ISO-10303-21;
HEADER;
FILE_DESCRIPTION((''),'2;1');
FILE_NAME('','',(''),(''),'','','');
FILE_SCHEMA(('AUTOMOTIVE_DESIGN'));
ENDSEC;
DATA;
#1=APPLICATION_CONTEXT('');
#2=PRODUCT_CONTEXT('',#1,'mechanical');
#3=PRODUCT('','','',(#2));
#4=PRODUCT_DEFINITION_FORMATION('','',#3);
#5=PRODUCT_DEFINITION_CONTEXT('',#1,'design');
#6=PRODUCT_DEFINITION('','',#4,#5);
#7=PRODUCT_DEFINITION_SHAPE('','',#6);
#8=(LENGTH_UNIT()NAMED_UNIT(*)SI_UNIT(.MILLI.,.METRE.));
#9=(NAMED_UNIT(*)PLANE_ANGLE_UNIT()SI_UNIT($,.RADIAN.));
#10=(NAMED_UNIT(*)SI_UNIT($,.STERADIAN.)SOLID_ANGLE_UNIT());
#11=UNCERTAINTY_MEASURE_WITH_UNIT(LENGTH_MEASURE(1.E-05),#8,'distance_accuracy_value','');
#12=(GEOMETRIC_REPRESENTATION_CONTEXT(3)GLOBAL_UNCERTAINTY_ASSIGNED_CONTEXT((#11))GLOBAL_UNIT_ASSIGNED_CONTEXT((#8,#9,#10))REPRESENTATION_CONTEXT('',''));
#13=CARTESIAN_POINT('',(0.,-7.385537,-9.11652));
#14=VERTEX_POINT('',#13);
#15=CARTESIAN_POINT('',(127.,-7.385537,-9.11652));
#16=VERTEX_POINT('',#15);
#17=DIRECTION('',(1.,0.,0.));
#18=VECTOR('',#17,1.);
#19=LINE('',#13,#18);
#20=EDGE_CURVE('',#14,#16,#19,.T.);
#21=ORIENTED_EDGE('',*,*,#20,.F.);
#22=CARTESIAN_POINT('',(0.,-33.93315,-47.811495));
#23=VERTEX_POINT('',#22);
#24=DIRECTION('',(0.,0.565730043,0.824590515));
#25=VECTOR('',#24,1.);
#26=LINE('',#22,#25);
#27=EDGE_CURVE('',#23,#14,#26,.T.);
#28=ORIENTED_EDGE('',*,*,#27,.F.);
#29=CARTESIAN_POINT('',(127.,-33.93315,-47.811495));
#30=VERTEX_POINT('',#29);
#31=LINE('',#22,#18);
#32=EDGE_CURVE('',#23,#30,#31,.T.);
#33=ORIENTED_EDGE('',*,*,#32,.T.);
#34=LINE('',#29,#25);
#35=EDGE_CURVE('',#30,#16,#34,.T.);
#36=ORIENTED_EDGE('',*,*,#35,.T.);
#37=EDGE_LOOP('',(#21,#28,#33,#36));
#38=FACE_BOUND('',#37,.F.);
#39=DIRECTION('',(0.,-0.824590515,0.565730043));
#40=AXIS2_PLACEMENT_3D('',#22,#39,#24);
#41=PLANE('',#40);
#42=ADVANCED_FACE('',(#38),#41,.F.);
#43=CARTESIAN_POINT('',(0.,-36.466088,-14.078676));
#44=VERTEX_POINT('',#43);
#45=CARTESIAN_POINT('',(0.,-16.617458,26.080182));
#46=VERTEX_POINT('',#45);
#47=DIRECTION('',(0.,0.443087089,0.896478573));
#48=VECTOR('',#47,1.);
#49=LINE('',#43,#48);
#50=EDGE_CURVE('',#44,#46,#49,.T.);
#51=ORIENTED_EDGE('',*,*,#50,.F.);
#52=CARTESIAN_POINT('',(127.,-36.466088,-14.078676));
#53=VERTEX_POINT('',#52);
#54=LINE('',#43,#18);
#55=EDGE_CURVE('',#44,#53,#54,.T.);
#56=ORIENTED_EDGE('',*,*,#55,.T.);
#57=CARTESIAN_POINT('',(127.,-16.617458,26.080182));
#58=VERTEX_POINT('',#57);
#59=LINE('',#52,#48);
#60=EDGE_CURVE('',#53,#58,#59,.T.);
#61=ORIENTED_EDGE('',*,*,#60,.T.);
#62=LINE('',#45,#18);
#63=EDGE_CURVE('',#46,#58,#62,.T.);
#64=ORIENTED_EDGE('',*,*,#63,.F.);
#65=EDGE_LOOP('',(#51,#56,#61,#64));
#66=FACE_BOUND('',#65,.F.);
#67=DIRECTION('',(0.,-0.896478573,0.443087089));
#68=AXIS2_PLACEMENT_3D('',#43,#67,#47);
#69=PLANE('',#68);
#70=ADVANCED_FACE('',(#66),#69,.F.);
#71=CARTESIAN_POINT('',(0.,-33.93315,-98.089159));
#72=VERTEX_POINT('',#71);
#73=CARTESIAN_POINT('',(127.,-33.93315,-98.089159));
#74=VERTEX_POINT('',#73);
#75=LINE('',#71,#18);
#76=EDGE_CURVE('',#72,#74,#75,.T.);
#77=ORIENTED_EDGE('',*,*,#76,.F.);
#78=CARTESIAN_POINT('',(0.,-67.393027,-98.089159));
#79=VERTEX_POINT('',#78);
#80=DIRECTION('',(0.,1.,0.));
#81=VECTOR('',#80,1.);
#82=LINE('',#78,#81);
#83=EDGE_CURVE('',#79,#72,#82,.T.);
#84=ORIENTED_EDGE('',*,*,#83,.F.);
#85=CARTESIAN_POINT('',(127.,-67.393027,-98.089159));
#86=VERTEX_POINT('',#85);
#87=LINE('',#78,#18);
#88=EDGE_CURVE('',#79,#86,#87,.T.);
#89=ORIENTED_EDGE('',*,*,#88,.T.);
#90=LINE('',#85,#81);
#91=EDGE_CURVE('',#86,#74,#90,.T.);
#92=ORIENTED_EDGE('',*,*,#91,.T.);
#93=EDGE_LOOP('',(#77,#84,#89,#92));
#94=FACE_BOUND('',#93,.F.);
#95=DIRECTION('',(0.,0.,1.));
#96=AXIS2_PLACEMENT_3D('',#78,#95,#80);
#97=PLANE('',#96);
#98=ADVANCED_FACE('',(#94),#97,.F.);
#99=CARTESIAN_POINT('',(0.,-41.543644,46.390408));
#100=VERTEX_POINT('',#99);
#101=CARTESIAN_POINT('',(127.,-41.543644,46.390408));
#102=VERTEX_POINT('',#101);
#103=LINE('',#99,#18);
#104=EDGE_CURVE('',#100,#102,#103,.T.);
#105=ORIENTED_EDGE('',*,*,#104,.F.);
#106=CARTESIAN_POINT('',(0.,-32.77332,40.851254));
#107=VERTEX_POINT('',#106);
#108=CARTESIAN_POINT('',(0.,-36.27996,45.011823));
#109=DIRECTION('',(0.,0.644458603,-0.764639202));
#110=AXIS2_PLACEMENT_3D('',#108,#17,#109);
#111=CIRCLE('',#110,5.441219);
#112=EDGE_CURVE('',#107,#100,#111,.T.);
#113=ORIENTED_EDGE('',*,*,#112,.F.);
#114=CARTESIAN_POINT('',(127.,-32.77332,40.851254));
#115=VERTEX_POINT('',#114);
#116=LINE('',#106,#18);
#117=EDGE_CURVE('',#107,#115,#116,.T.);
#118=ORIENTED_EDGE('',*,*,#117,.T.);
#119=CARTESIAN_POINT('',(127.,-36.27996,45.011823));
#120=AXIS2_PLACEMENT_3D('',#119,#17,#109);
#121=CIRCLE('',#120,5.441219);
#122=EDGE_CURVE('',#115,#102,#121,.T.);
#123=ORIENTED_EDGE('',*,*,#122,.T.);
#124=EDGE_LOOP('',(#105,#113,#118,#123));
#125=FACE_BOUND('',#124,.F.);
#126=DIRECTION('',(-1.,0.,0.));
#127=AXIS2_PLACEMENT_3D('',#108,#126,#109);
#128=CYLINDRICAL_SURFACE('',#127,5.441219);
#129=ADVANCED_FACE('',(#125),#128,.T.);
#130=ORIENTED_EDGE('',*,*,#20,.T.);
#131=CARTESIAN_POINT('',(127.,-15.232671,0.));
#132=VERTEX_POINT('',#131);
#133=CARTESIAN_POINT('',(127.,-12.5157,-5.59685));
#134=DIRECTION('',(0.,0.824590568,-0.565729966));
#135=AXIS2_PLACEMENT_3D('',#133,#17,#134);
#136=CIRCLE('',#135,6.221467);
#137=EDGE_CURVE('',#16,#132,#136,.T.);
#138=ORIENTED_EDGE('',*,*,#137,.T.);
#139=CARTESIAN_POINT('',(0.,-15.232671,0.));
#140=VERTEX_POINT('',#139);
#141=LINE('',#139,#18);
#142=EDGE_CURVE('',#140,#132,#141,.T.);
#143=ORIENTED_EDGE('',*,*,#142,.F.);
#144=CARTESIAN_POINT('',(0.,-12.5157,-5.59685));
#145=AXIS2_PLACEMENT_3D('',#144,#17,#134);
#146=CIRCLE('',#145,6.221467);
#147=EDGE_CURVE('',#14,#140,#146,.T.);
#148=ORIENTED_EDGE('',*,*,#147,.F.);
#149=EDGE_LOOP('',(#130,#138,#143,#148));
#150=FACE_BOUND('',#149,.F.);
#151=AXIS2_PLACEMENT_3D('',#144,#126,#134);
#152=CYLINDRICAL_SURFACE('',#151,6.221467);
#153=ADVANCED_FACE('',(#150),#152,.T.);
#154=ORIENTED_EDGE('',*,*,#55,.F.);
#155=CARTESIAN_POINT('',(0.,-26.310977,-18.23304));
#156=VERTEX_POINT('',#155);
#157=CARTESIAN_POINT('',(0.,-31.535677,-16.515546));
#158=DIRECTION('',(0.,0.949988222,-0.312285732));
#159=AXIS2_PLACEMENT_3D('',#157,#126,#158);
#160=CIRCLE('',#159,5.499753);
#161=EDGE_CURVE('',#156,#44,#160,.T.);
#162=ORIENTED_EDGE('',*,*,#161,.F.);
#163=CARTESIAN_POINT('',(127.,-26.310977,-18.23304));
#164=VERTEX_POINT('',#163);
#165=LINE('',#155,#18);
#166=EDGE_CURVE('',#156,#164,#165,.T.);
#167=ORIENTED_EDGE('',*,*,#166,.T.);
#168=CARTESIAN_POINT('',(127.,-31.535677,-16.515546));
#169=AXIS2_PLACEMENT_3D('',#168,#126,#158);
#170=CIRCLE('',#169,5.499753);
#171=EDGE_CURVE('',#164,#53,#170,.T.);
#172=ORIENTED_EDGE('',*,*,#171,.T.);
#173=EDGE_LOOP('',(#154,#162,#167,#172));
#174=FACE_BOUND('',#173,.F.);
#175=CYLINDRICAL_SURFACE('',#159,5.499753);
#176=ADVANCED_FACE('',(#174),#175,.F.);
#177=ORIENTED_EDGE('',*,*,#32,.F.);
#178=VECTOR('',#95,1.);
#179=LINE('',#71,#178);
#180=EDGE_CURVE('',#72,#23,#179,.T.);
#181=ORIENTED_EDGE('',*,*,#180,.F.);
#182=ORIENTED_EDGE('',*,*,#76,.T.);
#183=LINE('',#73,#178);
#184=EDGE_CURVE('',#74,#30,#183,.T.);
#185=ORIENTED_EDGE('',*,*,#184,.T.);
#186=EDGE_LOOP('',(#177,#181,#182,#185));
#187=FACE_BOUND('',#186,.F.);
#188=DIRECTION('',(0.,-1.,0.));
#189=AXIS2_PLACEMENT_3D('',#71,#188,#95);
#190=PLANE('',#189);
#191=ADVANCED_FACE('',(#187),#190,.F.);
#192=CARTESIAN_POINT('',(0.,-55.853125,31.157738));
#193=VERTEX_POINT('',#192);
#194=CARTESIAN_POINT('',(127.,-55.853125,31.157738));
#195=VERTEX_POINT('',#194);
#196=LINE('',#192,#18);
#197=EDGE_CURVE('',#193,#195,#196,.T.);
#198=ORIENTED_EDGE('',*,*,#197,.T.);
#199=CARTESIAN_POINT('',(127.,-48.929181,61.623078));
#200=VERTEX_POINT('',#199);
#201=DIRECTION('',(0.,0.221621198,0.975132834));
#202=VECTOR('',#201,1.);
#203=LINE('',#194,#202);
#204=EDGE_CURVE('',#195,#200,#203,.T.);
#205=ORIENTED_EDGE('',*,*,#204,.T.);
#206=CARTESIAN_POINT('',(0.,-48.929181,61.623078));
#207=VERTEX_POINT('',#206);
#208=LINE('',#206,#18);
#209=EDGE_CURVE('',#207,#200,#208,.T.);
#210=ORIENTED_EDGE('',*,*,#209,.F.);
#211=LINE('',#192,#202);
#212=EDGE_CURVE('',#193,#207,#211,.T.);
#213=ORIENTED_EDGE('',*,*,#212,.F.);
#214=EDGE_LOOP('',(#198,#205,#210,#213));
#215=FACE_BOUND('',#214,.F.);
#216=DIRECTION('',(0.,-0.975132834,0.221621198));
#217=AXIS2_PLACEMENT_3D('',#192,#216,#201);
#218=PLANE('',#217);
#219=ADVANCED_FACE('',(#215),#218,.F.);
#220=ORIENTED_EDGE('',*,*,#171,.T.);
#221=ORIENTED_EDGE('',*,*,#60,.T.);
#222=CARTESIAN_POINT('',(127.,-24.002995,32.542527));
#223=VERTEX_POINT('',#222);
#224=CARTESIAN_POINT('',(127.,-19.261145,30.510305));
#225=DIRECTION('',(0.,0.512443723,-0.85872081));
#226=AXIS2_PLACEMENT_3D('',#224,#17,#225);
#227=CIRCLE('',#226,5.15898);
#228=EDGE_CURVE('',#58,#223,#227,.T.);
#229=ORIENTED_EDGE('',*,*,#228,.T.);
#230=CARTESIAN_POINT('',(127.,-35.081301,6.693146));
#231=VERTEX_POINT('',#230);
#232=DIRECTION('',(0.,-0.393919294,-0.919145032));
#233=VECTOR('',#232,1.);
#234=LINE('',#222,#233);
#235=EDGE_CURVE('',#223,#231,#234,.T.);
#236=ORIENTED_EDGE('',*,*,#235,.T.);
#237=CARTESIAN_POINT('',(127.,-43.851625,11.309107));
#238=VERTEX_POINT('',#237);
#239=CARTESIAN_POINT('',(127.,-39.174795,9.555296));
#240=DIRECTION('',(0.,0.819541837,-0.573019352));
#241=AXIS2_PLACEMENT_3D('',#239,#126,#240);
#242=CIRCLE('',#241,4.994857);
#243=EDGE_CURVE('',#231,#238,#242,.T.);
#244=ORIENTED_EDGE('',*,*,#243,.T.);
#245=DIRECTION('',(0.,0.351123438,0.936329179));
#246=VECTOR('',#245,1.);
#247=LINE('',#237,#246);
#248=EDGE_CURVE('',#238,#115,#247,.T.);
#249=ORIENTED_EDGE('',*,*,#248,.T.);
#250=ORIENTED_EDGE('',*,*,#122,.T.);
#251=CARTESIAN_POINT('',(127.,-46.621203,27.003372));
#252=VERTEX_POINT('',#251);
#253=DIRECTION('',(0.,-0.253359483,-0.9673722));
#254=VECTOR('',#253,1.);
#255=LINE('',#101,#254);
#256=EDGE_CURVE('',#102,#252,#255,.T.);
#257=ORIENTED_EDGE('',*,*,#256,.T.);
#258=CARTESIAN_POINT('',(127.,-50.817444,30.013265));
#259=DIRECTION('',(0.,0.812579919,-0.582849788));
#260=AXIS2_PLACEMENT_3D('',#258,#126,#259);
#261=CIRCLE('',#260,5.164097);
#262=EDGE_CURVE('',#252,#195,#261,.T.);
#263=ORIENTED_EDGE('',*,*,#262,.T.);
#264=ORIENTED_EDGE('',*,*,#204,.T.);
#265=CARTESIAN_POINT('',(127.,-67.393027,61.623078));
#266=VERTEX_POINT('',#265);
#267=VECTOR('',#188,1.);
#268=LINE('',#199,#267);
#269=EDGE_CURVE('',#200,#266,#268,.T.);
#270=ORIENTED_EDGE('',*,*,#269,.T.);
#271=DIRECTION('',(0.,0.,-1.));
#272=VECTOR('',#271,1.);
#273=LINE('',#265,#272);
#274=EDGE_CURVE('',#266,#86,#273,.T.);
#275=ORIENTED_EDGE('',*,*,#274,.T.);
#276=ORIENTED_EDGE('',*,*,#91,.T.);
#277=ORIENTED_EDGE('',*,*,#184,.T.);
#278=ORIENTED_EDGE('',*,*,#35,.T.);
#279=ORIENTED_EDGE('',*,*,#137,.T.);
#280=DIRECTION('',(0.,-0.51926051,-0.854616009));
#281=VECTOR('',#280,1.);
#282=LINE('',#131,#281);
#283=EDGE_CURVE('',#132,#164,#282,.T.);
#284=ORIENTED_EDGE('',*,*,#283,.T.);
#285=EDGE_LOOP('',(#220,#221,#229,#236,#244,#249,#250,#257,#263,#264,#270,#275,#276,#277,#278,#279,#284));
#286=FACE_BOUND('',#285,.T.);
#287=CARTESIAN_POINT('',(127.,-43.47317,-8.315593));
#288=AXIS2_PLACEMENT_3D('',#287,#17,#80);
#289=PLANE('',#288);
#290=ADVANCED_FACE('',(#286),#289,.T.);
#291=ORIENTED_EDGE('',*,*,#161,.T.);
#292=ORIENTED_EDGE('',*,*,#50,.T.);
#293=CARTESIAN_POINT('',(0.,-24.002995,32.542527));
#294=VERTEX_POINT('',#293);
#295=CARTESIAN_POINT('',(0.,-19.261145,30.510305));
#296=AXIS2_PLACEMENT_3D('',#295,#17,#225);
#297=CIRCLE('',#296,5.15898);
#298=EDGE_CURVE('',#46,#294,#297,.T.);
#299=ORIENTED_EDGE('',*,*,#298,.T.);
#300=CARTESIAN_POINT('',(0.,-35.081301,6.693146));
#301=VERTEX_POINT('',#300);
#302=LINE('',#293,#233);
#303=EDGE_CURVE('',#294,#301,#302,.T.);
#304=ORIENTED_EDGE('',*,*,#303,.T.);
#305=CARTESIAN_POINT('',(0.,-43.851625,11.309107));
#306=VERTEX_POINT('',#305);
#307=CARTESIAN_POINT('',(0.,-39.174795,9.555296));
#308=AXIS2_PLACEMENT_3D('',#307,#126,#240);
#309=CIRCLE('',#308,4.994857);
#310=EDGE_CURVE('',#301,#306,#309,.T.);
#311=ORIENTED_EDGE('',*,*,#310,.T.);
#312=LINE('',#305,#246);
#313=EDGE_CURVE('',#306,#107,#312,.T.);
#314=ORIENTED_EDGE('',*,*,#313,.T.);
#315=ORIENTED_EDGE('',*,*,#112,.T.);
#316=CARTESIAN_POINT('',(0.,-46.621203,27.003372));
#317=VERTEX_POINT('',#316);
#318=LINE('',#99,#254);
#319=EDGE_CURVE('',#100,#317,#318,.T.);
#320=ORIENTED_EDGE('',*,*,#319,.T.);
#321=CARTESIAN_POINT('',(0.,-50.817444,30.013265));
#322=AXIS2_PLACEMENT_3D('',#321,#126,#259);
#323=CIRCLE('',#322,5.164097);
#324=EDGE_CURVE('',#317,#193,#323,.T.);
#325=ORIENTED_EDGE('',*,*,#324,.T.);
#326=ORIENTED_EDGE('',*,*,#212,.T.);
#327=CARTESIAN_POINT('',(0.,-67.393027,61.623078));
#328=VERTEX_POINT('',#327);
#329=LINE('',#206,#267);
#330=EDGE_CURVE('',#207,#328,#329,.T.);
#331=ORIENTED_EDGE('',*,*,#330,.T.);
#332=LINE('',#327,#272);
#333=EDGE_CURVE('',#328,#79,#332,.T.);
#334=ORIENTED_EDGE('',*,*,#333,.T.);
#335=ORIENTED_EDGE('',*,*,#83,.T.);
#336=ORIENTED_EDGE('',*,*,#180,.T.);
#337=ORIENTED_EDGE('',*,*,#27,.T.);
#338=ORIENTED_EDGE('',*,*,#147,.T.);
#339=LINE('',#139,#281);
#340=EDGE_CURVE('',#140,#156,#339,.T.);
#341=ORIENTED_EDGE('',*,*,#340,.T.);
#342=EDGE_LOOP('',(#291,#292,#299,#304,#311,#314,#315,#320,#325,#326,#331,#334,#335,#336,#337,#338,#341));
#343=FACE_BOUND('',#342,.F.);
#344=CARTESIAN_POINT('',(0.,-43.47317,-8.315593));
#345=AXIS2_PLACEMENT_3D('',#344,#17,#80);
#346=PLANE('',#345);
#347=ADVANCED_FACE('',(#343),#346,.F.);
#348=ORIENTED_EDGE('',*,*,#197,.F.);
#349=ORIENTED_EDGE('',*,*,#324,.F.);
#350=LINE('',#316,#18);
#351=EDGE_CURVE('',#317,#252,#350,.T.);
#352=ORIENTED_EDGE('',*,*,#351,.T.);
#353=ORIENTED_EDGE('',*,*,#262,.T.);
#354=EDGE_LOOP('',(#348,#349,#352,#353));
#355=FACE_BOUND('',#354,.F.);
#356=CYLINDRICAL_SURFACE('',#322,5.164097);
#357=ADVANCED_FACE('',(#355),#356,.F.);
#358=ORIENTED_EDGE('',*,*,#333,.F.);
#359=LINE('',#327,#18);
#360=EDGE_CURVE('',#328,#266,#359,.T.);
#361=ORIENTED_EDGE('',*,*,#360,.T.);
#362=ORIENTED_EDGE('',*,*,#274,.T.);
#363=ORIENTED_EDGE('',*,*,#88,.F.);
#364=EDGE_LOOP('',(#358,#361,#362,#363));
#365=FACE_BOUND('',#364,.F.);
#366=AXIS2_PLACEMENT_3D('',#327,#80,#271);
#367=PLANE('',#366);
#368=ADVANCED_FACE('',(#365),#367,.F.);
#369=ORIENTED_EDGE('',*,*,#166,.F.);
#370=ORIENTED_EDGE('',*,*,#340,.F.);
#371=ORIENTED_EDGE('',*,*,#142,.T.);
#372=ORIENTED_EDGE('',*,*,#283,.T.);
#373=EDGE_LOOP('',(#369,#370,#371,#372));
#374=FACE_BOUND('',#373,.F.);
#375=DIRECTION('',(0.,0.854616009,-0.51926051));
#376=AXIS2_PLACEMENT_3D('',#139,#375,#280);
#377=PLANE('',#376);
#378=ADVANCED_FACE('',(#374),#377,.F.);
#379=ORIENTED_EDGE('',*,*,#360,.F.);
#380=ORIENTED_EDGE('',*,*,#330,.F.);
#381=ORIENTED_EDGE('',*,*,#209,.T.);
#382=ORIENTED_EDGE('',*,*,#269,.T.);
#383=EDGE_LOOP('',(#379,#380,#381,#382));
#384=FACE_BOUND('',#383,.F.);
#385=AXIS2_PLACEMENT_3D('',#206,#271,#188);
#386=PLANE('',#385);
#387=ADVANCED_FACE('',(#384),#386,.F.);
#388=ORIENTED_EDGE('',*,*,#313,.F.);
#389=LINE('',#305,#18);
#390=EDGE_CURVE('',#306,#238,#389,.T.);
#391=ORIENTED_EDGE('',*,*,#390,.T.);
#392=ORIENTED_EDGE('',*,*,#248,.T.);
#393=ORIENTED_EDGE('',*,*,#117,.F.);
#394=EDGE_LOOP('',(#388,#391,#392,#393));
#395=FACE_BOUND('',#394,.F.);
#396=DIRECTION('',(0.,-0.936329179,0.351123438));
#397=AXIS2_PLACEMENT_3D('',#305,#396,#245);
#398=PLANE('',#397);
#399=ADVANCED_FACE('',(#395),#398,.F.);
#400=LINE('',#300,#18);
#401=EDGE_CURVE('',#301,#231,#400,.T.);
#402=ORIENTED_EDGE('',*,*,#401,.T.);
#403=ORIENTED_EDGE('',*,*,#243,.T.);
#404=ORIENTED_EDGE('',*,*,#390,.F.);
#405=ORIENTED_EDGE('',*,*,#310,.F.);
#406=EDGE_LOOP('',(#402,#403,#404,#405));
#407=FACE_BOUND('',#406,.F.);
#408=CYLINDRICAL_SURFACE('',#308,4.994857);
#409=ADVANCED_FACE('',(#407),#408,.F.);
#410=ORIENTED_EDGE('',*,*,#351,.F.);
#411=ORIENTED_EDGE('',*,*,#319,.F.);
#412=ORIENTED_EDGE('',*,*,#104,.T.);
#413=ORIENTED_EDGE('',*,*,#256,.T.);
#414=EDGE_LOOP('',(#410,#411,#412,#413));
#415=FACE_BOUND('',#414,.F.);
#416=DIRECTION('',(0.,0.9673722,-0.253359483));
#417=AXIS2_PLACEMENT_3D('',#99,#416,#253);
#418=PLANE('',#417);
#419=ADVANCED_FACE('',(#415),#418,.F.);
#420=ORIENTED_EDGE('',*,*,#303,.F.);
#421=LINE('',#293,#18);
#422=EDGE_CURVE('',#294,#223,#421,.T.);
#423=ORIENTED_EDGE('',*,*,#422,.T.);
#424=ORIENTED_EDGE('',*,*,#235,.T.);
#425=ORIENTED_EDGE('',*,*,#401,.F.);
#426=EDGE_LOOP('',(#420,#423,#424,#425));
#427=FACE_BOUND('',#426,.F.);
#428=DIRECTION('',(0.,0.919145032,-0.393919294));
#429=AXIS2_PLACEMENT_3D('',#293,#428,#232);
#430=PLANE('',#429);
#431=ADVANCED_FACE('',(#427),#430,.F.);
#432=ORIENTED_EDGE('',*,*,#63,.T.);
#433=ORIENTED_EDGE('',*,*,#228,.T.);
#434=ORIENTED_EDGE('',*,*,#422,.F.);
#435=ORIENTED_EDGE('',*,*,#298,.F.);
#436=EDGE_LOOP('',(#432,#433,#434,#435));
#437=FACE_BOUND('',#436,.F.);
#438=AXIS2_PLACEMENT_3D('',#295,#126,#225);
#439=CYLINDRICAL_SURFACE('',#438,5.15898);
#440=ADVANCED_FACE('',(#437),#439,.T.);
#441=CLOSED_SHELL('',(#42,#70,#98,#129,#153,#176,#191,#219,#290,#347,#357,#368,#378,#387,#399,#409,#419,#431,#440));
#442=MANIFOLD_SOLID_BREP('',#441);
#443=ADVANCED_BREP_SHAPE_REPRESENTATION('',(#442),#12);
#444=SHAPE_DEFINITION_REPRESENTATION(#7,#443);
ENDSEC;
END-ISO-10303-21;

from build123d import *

# Parameters (mm, degrees)
F1_DEPTH = 127


with BuildPart() as f1:
    # F0 (on Right) → F1 (new body)
    with BuildSketch(Plane.YZ):
        with BuildLine():
            Line((-48.929181, 61.623078), (-67.393027, 61.623078))
            Line((-67.393027, 61.623078), (-67.393027, -98.089159))
            Line((-67.393027, -98.089159), (-33.93315, -98.089159))
            Line((-33.93315, -98.089159), (-33.93315, -47.811495))
            Line((-33.93315, -47.811495), (-7.385537, -9.11652))
            ThreePointArc((-7.385537, -9.11652), (-7.800447, -1.53815), (-15.232671, 0))
            Line((-15.232671, 0), (-26.310977, -18.23304))
            ThreePointArc((-26.310977, -18.23304), (-33.618065, -21.605825), (-36.466088, -14.078676))
            Line((-36.466088, -14.078676), (-16.617458, 26.080182))
            ThreePointArc((-16.617458, 26.080182), (-15.863933, 34.392833), (-24.002995, 32.542527))
            Line((-24.002995, 32.542527), (-35.081301, 6.693146))
            ThreePointArc((-35.081301, 6.693146), (-41.501132, 5.135256), (-43.851625, 11.309107))
            Line((-43.851625, 11.309107), (-32.77332, 40.851254))
            ThreePointArc((-32.77332, 40.851254), (-33.374387, 49.612313), (-41.543644, 46.390408))
            Line((-41.543644, 46.390408), (-46.621203, 27.003372))
            ThreePointArc((-46.621203, 27.003372), (-52.936608, 25.304014), (-55.853125, 31.157738))
            Line((-55.853125, 31.157738), (-48.929181, 61.623078))
        make_face()
    extrude(amount=F1_DEPTH)


solid = f1.part
